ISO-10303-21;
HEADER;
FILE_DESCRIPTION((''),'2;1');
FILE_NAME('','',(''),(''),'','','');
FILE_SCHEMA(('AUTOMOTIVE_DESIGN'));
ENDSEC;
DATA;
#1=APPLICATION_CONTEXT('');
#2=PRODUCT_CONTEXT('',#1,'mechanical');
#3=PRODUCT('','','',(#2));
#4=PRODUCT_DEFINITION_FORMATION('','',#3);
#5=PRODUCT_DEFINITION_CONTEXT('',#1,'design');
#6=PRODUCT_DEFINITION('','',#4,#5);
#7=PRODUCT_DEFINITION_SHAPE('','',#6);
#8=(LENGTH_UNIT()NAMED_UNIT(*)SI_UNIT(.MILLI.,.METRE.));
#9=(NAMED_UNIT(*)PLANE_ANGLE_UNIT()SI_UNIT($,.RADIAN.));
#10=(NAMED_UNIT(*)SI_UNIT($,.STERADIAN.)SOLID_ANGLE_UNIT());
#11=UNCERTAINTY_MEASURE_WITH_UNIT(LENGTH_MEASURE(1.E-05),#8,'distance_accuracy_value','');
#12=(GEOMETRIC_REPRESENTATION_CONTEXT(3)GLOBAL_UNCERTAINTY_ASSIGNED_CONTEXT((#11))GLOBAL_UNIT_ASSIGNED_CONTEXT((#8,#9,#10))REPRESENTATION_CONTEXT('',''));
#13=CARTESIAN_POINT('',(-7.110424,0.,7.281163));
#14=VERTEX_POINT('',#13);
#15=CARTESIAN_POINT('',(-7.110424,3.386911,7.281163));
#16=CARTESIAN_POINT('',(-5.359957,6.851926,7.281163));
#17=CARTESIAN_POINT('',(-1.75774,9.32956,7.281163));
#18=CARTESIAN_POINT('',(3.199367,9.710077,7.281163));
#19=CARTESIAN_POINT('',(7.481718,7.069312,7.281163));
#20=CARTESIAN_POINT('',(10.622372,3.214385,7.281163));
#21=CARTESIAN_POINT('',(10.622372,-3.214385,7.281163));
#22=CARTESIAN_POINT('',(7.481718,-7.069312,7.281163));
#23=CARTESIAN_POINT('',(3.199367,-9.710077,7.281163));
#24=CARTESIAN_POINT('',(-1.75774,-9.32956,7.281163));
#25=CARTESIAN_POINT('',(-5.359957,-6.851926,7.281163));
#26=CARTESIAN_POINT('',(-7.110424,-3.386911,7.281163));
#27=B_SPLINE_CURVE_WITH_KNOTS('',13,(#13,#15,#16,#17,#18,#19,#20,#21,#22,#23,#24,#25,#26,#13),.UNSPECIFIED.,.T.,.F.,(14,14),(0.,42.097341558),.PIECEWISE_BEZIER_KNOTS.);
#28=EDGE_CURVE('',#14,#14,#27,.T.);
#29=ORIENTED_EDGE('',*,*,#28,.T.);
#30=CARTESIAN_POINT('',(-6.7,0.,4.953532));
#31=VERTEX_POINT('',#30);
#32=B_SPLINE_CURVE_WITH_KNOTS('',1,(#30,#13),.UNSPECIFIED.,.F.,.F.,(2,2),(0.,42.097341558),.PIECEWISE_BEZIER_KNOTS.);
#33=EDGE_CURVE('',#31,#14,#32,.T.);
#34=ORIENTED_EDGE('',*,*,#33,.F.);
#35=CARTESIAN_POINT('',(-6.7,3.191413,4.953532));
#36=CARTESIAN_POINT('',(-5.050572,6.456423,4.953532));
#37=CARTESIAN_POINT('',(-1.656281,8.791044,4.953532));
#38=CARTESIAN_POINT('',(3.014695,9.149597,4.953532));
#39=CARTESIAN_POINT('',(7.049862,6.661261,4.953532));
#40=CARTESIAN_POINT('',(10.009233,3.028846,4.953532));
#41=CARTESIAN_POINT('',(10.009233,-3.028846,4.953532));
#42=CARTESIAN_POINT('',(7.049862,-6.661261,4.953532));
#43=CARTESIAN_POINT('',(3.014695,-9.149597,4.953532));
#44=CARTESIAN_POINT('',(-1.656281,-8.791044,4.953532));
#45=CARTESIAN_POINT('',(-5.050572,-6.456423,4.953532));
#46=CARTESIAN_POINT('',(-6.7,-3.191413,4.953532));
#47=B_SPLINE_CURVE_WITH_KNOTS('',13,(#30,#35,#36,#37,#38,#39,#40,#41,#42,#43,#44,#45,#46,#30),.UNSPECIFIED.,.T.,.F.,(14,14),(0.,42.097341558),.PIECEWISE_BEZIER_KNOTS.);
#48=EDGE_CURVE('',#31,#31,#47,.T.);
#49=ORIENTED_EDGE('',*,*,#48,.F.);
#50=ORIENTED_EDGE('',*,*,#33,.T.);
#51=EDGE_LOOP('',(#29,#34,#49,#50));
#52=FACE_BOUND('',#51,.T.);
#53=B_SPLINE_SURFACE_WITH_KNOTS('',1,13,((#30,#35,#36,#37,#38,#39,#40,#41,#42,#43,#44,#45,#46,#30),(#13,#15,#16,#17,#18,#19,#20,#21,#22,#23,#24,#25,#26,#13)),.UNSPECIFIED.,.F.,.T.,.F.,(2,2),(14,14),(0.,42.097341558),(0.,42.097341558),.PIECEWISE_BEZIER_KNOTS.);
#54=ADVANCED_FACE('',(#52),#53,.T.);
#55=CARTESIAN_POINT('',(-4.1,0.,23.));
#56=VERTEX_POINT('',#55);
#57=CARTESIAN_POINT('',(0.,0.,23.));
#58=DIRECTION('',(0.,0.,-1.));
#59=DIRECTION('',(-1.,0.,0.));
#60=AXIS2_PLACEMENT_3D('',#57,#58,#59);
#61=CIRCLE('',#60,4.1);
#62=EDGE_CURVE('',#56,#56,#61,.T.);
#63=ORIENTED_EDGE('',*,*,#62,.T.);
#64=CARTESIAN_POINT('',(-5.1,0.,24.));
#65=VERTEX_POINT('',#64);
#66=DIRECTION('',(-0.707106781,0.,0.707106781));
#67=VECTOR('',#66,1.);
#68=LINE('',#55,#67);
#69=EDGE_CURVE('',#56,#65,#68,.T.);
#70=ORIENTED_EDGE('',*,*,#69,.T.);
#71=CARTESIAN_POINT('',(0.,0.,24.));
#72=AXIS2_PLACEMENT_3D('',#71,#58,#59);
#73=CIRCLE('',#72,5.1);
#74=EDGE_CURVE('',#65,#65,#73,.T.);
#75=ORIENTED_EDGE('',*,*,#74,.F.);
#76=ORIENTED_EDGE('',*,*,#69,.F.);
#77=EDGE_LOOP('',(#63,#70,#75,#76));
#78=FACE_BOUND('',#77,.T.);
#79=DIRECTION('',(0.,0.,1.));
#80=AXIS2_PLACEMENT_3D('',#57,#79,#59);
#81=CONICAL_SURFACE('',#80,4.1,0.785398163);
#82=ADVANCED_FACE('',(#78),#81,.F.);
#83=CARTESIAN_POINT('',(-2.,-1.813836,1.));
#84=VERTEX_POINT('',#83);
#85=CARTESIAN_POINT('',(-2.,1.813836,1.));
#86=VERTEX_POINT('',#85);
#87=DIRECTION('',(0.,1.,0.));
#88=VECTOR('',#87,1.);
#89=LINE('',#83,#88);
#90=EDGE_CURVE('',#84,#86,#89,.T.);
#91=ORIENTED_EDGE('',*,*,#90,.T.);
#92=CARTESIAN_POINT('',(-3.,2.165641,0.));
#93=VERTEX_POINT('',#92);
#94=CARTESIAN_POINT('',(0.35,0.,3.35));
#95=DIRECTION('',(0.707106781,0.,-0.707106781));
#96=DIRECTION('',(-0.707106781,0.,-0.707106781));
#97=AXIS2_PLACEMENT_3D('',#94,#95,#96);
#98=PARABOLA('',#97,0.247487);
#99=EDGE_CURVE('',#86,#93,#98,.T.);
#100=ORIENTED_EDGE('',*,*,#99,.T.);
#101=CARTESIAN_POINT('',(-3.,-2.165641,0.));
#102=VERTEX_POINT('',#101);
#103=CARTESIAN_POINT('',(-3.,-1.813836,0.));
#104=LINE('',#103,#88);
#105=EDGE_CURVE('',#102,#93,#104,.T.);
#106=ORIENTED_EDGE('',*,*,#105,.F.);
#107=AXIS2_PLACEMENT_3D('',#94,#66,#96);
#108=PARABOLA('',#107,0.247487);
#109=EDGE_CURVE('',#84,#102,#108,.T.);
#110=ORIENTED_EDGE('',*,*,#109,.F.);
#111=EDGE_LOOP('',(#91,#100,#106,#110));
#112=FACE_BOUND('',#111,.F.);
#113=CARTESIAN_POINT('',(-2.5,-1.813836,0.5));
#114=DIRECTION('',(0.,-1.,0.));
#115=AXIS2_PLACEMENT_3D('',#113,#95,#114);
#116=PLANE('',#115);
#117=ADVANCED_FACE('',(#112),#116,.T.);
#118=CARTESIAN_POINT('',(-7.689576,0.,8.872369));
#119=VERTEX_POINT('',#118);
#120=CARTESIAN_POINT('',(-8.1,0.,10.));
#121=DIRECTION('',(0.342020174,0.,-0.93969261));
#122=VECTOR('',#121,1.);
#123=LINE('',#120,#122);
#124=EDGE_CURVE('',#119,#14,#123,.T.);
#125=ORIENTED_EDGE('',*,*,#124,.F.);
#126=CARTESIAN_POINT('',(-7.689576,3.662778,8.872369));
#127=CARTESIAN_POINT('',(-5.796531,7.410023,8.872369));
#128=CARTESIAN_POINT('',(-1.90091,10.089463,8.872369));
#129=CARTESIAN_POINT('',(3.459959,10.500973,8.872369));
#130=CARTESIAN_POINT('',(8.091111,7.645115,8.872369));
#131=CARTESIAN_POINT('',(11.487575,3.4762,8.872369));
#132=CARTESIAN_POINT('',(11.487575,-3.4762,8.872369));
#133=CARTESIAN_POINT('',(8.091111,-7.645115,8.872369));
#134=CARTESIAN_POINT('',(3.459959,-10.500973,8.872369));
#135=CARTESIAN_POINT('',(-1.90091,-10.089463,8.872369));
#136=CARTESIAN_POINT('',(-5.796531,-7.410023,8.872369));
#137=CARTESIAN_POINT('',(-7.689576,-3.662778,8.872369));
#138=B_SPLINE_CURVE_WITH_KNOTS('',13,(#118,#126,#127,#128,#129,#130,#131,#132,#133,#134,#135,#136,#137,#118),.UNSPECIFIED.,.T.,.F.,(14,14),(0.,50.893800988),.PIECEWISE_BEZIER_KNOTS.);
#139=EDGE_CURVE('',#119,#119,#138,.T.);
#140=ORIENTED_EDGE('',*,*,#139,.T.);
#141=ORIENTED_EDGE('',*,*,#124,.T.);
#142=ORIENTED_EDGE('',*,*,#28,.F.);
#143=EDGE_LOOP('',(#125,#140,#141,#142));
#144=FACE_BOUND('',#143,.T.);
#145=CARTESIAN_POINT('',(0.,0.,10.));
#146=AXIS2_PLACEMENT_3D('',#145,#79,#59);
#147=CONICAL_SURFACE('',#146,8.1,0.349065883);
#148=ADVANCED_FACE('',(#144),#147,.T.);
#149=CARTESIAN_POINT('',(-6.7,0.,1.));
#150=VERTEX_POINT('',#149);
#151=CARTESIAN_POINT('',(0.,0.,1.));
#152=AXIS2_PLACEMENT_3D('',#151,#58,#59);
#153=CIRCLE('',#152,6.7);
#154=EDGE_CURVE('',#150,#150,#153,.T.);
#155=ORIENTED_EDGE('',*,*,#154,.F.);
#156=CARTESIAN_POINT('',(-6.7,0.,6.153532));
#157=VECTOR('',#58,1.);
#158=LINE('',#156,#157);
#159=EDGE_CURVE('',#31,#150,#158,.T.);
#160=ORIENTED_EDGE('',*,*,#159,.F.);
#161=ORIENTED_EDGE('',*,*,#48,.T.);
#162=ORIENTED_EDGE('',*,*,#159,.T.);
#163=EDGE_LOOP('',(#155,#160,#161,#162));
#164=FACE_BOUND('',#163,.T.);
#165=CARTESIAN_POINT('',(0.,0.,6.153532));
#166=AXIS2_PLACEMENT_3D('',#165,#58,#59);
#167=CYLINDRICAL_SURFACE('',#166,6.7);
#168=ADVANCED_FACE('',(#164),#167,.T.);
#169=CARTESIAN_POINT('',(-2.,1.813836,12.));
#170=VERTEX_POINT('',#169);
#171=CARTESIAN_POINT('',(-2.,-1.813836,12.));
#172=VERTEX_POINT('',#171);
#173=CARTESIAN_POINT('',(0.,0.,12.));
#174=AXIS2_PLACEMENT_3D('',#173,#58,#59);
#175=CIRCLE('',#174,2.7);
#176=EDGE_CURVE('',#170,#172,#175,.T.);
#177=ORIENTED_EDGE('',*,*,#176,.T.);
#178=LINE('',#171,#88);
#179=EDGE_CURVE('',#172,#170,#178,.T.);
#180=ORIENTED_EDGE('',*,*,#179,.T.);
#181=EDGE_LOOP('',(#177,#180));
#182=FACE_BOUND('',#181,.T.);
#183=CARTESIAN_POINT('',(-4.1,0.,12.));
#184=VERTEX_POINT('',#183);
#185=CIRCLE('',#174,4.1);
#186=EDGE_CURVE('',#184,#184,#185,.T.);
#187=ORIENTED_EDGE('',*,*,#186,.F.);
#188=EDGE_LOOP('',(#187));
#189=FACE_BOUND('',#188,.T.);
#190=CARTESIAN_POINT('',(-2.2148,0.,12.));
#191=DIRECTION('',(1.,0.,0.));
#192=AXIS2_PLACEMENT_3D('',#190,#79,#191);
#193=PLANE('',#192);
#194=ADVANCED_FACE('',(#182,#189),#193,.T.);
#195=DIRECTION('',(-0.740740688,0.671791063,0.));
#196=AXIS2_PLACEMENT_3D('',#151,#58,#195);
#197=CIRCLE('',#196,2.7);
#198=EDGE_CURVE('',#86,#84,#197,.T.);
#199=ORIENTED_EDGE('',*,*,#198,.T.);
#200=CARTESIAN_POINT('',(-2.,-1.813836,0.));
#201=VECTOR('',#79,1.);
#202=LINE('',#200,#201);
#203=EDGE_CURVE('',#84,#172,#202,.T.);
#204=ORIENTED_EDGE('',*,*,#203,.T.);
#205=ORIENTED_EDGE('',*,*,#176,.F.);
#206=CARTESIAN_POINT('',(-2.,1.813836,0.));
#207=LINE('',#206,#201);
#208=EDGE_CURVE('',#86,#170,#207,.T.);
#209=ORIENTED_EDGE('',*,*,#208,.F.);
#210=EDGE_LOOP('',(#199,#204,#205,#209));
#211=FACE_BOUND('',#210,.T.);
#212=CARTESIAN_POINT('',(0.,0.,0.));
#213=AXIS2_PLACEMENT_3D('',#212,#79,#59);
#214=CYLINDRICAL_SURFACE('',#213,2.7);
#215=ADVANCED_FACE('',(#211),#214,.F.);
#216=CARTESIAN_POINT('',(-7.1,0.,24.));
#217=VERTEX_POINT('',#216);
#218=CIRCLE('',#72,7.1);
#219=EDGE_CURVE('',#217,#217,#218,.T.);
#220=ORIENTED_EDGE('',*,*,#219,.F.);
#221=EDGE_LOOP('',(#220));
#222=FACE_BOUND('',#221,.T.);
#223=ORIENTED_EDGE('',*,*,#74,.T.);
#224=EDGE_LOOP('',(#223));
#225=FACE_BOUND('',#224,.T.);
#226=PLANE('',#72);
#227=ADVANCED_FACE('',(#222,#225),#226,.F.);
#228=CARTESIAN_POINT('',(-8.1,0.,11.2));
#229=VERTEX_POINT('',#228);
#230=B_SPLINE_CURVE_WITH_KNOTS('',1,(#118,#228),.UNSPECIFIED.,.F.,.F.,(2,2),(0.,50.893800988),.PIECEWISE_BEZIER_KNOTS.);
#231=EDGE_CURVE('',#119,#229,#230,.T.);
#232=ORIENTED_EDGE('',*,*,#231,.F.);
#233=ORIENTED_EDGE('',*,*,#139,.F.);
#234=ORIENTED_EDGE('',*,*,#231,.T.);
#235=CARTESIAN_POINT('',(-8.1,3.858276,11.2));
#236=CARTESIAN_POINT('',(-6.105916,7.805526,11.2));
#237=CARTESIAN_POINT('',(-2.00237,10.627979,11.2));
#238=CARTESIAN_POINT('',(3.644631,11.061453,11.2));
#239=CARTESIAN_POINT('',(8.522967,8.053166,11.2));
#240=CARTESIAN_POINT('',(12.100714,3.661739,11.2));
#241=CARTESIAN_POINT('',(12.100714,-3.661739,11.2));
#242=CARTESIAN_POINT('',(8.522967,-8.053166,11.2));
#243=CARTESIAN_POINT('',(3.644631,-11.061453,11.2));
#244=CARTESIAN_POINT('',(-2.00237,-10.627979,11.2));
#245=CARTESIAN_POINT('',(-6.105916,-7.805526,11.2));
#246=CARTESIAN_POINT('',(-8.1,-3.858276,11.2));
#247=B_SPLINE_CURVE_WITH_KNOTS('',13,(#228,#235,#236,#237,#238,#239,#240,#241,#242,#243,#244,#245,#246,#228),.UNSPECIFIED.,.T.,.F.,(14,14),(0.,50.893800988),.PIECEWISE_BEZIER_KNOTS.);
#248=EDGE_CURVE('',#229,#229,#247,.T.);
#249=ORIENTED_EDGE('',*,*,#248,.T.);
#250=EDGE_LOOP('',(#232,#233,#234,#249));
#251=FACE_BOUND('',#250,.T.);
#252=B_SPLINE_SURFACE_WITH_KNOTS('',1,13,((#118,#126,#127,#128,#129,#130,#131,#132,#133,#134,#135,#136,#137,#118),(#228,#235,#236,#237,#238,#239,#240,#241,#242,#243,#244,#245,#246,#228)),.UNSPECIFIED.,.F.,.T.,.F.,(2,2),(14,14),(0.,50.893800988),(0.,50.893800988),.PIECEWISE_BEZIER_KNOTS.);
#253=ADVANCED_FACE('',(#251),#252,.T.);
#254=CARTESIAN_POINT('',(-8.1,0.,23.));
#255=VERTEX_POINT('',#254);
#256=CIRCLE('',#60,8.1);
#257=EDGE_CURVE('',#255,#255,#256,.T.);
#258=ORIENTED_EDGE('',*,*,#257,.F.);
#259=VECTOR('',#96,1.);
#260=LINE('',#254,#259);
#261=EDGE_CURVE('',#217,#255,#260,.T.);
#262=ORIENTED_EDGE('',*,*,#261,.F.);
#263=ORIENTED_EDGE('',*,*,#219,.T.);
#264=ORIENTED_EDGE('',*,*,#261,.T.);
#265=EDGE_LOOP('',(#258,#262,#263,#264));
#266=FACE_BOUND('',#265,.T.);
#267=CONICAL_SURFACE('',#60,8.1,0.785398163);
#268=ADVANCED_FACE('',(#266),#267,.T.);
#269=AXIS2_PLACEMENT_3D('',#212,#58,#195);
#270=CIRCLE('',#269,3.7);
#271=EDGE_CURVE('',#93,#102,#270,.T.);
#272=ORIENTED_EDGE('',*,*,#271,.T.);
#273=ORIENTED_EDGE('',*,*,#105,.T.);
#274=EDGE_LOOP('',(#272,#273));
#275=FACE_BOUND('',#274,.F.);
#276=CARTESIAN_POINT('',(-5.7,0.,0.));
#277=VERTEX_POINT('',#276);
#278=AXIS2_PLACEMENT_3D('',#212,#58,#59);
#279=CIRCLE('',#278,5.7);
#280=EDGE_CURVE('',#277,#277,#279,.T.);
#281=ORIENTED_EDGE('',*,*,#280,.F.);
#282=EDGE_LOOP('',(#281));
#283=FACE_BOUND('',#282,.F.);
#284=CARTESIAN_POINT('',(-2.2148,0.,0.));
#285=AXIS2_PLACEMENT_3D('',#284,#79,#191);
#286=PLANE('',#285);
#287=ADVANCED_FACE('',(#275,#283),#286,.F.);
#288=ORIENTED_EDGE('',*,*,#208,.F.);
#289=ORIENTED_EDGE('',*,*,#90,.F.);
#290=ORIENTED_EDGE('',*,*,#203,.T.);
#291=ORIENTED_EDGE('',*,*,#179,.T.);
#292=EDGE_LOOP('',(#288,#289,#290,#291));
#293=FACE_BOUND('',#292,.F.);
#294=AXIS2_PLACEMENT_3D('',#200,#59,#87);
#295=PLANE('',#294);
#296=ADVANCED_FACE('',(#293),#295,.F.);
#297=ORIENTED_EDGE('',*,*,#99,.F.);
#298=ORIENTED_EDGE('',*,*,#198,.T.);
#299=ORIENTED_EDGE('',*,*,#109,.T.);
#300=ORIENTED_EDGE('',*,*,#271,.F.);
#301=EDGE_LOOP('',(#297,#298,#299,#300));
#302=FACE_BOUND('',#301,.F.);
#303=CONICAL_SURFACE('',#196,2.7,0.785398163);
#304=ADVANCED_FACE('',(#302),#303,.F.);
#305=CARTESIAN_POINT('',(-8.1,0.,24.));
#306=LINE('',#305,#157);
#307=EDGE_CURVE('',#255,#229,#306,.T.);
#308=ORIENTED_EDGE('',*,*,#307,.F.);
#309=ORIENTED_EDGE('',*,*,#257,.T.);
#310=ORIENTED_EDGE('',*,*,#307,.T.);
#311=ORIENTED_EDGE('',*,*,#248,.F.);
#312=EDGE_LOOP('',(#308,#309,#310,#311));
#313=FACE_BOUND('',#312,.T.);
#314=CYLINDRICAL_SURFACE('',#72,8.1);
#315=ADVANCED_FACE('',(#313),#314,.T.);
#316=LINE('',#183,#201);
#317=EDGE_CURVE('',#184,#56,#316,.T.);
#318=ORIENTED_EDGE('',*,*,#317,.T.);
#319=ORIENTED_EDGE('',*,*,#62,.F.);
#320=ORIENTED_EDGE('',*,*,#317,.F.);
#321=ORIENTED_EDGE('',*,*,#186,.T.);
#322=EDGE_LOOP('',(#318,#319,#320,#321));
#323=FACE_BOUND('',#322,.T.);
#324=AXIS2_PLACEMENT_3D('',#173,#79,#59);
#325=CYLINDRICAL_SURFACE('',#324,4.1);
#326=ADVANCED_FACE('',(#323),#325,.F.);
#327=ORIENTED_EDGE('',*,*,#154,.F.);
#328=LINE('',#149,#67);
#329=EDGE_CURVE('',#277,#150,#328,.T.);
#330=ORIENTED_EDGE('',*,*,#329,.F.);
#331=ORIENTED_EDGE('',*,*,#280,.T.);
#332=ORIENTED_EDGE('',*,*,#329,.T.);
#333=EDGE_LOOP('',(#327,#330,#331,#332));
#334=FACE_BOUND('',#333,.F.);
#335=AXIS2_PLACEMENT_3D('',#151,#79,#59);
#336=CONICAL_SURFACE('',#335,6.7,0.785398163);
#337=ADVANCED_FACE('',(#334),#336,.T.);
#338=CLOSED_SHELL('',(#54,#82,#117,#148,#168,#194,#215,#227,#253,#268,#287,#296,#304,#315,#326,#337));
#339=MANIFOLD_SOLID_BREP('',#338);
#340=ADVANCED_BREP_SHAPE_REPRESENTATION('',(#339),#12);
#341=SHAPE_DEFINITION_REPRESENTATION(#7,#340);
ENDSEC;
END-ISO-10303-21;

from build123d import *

# Parameters (mm, degrees)
F3_DEPTH = 12
F4_SIZE  = 1
F5_SIZE  = 1.2


with BuildPart() as f1:
    # F0 (on Front) → F1 (revolve)
    with BuildSketch(Plane.XZ):
        Polygon((-6.7, 0), (-2.7, 0), (-2.7, 12), (-4.1, 12), (-4.1, 24), (-8.1, 24), (-8.1, 10), (-6.7, 6.153532), align=None)
    revolve(axis=Axis((0, 0, 10.296541), (0, 0, -1)))

    # F2 (on Top) → F3 (join)
    with BuildSketch(Plane.XY):
        with BuildLine():
            Line((-2, -1.813836), (-2, 1.813836))
            ThreePointArc((-2, 1.813836), (-2.7, 0), (-2, -1.813836))
        make_face()
    extrude(amount=F3_DEPTH)

    # F4
    f4_edges = [f1.edges().sort_by_distance(p)[0] for p in [
        (8.1, 0, 24),
        (6.7, 0, 0),
        (2.7, 0, 0),
        (-2, 0, 0),
        (4.1, 0, 24),
    ]]
    chamfer(f4_edges, length=F4_SIZE)

    # F5
    f5_edges = [f1.edges().sort_by_distance(p)[0] for p in [
        (8.1, 0, 10),
        (6.7, 0, 6.153532),
    ]]
    chamfer(f5_edges, length=F5_SIZE)


solid = f1.part
